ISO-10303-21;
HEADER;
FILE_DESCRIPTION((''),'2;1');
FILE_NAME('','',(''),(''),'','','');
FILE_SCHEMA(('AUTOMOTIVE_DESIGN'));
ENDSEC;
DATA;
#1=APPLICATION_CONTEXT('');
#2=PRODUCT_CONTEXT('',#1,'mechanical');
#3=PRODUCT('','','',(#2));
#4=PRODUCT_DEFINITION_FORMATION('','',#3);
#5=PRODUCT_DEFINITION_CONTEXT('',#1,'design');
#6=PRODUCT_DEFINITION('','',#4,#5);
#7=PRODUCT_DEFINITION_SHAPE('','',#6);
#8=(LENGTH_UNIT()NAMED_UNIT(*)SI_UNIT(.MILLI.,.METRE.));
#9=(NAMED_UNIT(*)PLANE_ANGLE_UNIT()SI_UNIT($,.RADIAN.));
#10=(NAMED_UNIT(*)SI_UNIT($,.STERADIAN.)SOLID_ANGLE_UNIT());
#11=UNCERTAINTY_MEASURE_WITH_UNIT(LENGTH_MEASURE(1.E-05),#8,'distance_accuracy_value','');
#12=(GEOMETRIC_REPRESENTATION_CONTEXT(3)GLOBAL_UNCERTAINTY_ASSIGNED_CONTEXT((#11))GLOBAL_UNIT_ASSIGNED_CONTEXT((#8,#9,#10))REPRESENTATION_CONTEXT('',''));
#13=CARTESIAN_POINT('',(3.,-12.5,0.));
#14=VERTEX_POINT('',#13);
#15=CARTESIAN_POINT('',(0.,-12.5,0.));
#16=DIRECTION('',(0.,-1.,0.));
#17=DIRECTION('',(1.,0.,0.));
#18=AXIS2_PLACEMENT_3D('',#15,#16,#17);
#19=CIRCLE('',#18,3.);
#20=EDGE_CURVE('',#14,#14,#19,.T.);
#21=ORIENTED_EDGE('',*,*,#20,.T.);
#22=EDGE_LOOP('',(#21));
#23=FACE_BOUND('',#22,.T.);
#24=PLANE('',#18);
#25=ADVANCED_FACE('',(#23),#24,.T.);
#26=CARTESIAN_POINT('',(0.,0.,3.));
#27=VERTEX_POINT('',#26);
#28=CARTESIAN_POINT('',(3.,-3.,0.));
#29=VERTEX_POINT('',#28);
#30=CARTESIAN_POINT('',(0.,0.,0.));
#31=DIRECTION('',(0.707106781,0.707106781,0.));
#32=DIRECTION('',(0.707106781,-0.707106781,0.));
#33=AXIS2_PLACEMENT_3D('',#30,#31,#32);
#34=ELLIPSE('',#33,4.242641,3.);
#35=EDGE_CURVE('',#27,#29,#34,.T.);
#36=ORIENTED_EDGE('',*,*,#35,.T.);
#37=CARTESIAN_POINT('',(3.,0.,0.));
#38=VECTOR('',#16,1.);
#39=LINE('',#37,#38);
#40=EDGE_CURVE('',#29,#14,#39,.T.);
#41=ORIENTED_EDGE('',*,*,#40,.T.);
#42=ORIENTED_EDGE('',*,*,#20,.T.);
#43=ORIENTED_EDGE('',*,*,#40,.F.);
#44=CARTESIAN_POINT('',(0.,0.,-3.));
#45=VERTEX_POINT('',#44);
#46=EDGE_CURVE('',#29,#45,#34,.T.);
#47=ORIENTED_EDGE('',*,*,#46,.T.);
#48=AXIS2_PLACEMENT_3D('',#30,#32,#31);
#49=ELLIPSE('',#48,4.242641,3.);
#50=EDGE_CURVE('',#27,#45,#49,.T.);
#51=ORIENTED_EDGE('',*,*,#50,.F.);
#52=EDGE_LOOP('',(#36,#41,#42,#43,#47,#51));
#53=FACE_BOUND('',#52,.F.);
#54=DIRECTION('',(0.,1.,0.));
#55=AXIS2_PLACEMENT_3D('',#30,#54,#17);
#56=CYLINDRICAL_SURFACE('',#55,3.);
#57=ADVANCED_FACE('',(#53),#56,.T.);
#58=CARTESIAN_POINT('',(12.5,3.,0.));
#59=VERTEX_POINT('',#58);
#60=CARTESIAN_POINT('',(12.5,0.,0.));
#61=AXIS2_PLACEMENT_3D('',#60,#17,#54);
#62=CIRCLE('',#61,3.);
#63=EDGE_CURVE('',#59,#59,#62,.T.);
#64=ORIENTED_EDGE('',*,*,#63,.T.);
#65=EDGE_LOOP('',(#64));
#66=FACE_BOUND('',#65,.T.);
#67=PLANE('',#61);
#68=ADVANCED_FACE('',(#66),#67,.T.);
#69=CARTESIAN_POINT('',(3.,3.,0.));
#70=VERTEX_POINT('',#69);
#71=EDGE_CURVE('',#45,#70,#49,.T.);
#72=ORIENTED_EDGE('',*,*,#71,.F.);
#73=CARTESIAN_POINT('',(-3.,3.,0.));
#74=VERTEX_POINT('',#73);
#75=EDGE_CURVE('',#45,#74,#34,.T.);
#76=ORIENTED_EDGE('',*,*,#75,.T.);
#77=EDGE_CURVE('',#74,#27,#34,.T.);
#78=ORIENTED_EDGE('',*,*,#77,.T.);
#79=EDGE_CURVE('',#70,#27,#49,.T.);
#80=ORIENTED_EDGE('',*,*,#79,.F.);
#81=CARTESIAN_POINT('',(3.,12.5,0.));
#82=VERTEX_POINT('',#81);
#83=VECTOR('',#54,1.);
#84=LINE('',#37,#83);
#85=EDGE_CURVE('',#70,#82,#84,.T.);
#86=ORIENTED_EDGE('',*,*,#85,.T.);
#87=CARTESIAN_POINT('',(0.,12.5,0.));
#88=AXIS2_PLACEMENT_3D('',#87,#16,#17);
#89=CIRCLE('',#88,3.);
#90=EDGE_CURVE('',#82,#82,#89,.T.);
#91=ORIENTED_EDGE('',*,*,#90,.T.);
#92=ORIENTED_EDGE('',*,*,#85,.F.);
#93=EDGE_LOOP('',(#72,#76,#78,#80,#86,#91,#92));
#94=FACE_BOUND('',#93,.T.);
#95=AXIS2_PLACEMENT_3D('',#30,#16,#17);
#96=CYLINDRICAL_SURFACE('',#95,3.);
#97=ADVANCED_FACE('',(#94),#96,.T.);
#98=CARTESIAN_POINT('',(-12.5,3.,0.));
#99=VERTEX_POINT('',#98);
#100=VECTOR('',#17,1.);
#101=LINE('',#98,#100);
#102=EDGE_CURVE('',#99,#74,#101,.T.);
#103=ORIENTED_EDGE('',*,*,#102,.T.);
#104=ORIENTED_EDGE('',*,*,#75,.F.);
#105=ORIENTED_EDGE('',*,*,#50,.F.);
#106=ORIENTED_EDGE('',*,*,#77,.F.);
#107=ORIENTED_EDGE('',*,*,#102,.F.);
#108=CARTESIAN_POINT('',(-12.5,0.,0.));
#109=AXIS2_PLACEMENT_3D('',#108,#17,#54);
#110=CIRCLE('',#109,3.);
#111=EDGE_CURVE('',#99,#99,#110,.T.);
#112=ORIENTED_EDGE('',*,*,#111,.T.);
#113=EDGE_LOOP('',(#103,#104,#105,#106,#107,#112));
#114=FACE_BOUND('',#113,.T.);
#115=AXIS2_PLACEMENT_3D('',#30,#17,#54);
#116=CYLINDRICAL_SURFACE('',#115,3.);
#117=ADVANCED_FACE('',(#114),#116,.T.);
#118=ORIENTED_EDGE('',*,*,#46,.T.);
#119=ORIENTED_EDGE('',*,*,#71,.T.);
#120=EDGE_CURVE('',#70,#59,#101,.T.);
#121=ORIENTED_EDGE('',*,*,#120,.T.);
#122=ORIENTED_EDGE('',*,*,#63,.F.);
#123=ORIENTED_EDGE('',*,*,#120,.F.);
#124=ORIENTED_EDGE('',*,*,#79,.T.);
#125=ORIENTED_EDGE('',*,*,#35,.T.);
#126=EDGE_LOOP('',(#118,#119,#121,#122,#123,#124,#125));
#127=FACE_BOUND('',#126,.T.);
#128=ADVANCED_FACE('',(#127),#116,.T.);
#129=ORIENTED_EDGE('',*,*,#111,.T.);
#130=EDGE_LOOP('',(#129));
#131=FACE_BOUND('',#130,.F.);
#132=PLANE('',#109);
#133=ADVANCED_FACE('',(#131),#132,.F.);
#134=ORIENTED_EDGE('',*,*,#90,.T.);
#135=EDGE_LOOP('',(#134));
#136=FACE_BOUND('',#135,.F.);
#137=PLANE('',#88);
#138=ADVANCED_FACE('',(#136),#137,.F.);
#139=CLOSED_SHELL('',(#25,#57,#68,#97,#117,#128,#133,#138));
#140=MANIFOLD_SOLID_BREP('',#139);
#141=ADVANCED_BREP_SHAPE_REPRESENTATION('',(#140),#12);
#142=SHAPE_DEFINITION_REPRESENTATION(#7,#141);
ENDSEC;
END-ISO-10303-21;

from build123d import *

# Parameters (mm, degrees)
F0_R          = 3
F1_DEPTH      = 12.5
F1_DEPTH_BACK = 12.5
F2_R          = 3
F3_DEPTH      = 12.5
F3_DEPTH_BACK = 12.5


with BuildPart() as f1:
    # F0 (on Right) → F1 (new body, two sides)
    with BuildSketch(Plane.YZ) as f1_sk:
        Circle(F0_R)
    extrude(amount=F1_DEPTH)
    extrude(f1_sk.sketch, amount=-F1_DEPTH_BACK)

    # F2 (on Front) → F3 (join, two sides)
    with BuildSketch(Plane.XZ) as f3_sk:
        Circle(F2_R)
    extrude(amount=F3_DEPTH)
    extrude(f3_sk.sketch, amount=-F3_DEPTH_BACK)


solid = f1.part
